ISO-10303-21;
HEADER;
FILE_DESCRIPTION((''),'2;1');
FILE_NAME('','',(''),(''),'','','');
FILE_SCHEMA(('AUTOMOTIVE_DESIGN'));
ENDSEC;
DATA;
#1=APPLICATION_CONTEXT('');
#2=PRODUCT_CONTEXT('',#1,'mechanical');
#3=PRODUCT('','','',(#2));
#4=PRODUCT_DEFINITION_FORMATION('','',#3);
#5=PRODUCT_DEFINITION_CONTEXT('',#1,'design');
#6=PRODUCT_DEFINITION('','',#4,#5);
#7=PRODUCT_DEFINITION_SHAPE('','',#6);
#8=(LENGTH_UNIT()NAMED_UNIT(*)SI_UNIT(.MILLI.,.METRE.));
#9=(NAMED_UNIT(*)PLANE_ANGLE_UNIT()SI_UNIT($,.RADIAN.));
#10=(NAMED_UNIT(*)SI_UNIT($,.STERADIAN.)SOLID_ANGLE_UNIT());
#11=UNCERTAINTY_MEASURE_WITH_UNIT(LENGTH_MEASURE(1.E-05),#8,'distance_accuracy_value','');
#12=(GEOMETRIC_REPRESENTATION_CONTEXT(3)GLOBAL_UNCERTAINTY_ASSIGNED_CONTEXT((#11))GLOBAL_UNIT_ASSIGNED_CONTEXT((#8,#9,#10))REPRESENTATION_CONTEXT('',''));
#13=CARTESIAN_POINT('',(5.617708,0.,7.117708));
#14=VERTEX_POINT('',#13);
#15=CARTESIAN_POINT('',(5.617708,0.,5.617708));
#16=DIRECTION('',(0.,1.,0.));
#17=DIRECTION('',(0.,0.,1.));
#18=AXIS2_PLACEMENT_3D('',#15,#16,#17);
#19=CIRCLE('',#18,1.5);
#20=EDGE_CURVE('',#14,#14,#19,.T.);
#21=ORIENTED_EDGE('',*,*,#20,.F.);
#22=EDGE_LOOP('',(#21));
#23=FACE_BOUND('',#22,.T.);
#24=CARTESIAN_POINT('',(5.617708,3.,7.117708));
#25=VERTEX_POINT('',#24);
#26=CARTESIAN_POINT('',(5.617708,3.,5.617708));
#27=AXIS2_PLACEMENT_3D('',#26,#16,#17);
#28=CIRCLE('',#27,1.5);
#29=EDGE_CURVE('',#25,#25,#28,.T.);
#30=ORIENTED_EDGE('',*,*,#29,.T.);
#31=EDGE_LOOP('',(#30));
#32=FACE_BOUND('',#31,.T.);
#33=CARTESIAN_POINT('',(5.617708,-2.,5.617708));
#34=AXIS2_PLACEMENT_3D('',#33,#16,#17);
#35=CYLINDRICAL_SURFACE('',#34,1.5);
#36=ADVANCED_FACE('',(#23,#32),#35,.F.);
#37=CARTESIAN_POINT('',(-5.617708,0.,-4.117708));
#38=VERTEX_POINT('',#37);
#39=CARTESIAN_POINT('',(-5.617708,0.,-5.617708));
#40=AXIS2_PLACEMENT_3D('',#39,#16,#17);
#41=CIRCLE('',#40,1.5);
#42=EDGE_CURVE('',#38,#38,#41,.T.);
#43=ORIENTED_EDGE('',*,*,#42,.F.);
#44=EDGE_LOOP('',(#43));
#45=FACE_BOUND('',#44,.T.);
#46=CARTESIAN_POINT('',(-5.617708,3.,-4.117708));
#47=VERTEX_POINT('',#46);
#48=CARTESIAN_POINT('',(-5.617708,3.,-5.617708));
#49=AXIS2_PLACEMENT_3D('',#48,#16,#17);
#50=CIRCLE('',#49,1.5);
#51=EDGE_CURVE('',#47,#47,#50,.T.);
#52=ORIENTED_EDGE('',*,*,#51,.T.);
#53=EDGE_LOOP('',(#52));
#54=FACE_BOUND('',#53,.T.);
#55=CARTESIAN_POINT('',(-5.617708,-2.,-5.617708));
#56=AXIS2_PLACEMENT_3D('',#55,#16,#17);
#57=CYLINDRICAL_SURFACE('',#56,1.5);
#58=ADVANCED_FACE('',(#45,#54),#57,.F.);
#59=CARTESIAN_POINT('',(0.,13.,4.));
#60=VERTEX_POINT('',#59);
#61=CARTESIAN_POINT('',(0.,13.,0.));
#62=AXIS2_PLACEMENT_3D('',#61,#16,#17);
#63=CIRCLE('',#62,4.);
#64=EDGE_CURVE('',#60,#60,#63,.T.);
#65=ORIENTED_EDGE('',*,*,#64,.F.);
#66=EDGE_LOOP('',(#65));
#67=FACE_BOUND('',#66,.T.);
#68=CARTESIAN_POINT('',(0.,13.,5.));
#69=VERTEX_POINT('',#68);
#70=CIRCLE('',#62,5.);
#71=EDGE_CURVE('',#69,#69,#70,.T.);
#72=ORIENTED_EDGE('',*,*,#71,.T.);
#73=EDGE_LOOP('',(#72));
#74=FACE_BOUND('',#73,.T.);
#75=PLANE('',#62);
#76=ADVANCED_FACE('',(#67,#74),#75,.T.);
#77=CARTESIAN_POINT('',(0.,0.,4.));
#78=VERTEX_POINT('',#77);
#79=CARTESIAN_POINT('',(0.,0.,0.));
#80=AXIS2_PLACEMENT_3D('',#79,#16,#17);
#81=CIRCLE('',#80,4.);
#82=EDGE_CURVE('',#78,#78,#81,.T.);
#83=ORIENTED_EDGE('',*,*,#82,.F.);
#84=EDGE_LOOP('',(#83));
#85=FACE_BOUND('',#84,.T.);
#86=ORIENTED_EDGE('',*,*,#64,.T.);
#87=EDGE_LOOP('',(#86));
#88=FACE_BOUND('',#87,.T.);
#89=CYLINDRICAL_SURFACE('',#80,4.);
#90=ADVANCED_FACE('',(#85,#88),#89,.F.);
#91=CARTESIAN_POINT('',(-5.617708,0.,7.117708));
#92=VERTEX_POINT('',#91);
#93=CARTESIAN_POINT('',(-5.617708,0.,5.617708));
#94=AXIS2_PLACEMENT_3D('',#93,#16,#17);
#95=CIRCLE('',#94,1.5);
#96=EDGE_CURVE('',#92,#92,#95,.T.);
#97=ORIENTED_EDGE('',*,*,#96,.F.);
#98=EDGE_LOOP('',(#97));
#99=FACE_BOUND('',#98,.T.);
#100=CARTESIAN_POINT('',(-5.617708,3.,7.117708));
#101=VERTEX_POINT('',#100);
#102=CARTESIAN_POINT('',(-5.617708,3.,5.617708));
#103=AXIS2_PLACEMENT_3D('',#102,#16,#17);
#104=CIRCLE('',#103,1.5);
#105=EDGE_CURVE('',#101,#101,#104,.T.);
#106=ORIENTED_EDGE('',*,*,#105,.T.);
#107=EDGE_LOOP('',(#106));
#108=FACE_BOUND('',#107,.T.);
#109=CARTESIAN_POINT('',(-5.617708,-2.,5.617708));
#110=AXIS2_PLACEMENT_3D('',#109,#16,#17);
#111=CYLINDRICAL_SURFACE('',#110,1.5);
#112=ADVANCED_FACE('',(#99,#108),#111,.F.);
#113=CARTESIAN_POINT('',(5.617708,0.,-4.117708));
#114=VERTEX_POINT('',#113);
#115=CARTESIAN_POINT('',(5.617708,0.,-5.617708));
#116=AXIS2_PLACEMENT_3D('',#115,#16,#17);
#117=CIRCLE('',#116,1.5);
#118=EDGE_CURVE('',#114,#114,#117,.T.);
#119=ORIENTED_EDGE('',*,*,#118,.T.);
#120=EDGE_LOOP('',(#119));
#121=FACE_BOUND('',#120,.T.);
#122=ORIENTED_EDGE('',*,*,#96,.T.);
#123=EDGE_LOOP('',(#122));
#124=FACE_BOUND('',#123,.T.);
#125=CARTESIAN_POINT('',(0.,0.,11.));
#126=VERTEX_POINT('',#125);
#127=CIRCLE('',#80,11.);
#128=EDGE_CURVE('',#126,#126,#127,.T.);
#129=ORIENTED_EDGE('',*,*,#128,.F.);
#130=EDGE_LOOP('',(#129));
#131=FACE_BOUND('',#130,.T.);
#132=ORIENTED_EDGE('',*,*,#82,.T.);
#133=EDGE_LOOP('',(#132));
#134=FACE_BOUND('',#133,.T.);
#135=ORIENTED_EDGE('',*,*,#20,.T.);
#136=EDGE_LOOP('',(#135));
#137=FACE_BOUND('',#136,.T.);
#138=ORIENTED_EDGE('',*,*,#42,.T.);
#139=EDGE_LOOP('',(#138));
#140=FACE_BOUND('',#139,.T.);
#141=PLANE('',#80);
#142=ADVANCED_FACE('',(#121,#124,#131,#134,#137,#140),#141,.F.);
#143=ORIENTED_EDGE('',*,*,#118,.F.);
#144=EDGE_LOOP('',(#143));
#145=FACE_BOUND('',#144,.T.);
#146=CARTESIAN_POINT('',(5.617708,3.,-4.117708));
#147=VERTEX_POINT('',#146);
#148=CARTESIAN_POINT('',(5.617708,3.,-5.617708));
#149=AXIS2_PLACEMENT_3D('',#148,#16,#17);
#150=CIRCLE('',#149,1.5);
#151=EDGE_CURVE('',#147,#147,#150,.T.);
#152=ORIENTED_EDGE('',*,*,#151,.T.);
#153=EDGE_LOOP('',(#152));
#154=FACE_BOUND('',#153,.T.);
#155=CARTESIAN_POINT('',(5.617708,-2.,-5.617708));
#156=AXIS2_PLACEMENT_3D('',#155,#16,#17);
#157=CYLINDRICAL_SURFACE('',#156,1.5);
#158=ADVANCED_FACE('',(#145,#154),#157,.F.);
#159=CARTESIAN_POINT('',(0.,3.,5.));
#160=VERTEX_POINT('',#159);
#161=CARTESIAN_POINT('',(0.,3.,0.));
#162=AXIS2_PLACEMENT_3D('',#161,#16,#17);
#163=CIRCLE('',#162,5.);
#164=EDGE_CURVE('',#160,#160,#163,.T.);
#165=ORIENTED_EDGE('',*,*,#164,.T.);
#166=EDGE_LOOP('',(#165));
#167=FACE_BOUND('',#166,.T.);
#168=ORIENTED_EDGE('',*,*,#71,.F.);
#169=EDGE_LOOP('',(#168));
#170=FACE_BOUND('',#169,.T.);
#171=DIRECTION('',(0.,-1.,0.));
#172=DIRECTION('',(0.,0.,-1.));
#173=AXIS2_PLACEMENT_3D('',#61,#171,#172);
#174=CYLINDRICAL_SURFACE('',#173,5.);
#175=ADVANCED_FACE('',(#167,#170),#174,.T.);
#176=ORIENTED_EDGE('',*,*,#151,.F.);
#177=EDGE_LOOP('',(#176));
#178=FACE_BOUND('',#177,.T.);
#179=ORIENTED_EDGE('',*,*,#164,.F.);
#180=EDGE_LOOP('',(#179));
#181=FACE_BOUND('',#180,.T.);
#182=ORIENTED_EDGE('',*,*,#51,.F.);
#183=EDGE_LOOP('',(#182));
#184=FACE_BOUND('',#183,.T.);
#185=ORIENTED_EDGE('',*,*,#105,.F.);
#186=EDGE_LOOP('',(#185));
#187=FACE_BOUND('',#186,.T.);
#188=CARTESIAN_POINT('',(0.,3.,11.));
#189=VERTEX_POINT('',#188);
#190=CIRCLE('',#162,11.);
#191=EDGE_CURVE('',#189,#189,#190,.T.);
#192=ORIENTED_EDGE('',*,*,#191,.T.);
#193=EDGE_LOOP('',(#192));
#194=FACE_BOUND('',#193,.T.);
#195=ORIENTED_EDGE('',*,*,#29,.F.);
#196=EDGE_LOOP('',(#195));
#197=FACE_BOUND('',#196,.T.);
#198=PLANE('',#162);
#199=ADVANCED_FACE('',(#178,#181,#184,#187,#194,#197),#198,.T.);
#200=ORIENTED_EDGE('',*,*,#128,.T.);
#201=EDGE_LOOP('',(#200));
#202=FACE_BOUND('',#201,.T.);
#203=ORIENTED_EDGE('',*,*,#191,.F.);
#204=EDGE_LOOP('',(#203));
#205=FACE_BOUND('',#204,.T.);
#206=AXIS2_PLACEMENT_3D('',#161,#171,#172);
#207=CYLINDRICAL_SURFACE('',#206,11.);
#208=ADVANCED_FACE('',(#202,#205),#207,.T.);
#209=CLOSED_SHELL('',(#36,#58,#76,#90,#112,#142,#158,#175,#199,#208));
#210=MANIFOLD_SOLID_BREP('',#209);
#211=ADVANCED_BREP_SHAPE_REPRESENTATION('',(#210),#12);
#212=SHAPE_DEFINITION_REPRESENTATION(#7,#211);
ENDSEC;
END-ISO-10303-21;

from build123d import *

# Parameters (mm, degrees)
SKETCH1_R           = 11
BOSS_EXTRUDE1_DEPTH = 3
SKETCH2_R           = 1.5
CUT_EXTRUDE1_DEPTH  = 5
SKETCH3_R           = 5
BOSS_EXTRUDE2_DEPTH = 10
SKETCH4_R           = 4
CUT_EXTRUDE2_DEPTH  = 21.273134933


with BuildPart() as part:
    # Sketch1 → Boss-Extrude1 (new body)
    with BuildSketch(Plane(origin=(0, 0, 0), x_dir=(1, 0, 0), z_dir=(0, 1, 0))):
        with Locations(Location((0, 0, 0), (0, 0, 270))):
            Circle(SKETCH1_R)
    extrude(amount=BOSS_EXTRUDE1_DEPTH)

    # Sketch2 → Cut-Extrude1 (cut)
    with BuildSketch(Plane(origin=(0, 3, 0), x_dir=(1, 0, 0), z_dir=(0, 1, 0))):
        with Locations(Location((-5.617707867, 5.617707867, 0), (0, 0, 270))):
            Circle(SKETCH2_R)
        with Locations(Location((5.617707867, 5.617707867, 0), (0, 0, 270))):
            Circle(SKETCH2_R)
        with Locations(Location((-5.617707867, -5.617707867, 0), (0, 0, 270))):
            Circle(SKETCH2_R)
        with Locations(Location((5.617707867, -5.617707867, 0), (0, 0, 270))):
            Circle(SKETCH2_R)
    extrude(amount=-CUT_EXTRUDE1_DEPTH, mode=Mode.SUBTRACT)

    # Sketch3 → Boss-Extrude2 (add)
    with BuildSketch(Plane(origin=(0, 3, 0), x_dir=(1, 0, 0), z_dir=(0, 1, 0))):
        with Locations(Location((0, 0, 0), (0, 0, 270))):
            Circle(SKETCH3_R)
    extrude(amount=BOSS_EXTRUDE2_DEPTH)

    # Sketch4 → Cut-Extrude2 (cut, through all)
    with BuildSketch(Plane(origin=(0, 13, 0), x_dir=(1, 0, 0), z_dir=(0, 1, 0))):
        with Locations(Location((0, 0, 0), (0, 0, 270))):
            Circle(SKETCH4_R)
    extrude(amount=-CUT_EXTRUDE2_DEPTH, mode=Mode.SUBTRACT)


solid = part.part
